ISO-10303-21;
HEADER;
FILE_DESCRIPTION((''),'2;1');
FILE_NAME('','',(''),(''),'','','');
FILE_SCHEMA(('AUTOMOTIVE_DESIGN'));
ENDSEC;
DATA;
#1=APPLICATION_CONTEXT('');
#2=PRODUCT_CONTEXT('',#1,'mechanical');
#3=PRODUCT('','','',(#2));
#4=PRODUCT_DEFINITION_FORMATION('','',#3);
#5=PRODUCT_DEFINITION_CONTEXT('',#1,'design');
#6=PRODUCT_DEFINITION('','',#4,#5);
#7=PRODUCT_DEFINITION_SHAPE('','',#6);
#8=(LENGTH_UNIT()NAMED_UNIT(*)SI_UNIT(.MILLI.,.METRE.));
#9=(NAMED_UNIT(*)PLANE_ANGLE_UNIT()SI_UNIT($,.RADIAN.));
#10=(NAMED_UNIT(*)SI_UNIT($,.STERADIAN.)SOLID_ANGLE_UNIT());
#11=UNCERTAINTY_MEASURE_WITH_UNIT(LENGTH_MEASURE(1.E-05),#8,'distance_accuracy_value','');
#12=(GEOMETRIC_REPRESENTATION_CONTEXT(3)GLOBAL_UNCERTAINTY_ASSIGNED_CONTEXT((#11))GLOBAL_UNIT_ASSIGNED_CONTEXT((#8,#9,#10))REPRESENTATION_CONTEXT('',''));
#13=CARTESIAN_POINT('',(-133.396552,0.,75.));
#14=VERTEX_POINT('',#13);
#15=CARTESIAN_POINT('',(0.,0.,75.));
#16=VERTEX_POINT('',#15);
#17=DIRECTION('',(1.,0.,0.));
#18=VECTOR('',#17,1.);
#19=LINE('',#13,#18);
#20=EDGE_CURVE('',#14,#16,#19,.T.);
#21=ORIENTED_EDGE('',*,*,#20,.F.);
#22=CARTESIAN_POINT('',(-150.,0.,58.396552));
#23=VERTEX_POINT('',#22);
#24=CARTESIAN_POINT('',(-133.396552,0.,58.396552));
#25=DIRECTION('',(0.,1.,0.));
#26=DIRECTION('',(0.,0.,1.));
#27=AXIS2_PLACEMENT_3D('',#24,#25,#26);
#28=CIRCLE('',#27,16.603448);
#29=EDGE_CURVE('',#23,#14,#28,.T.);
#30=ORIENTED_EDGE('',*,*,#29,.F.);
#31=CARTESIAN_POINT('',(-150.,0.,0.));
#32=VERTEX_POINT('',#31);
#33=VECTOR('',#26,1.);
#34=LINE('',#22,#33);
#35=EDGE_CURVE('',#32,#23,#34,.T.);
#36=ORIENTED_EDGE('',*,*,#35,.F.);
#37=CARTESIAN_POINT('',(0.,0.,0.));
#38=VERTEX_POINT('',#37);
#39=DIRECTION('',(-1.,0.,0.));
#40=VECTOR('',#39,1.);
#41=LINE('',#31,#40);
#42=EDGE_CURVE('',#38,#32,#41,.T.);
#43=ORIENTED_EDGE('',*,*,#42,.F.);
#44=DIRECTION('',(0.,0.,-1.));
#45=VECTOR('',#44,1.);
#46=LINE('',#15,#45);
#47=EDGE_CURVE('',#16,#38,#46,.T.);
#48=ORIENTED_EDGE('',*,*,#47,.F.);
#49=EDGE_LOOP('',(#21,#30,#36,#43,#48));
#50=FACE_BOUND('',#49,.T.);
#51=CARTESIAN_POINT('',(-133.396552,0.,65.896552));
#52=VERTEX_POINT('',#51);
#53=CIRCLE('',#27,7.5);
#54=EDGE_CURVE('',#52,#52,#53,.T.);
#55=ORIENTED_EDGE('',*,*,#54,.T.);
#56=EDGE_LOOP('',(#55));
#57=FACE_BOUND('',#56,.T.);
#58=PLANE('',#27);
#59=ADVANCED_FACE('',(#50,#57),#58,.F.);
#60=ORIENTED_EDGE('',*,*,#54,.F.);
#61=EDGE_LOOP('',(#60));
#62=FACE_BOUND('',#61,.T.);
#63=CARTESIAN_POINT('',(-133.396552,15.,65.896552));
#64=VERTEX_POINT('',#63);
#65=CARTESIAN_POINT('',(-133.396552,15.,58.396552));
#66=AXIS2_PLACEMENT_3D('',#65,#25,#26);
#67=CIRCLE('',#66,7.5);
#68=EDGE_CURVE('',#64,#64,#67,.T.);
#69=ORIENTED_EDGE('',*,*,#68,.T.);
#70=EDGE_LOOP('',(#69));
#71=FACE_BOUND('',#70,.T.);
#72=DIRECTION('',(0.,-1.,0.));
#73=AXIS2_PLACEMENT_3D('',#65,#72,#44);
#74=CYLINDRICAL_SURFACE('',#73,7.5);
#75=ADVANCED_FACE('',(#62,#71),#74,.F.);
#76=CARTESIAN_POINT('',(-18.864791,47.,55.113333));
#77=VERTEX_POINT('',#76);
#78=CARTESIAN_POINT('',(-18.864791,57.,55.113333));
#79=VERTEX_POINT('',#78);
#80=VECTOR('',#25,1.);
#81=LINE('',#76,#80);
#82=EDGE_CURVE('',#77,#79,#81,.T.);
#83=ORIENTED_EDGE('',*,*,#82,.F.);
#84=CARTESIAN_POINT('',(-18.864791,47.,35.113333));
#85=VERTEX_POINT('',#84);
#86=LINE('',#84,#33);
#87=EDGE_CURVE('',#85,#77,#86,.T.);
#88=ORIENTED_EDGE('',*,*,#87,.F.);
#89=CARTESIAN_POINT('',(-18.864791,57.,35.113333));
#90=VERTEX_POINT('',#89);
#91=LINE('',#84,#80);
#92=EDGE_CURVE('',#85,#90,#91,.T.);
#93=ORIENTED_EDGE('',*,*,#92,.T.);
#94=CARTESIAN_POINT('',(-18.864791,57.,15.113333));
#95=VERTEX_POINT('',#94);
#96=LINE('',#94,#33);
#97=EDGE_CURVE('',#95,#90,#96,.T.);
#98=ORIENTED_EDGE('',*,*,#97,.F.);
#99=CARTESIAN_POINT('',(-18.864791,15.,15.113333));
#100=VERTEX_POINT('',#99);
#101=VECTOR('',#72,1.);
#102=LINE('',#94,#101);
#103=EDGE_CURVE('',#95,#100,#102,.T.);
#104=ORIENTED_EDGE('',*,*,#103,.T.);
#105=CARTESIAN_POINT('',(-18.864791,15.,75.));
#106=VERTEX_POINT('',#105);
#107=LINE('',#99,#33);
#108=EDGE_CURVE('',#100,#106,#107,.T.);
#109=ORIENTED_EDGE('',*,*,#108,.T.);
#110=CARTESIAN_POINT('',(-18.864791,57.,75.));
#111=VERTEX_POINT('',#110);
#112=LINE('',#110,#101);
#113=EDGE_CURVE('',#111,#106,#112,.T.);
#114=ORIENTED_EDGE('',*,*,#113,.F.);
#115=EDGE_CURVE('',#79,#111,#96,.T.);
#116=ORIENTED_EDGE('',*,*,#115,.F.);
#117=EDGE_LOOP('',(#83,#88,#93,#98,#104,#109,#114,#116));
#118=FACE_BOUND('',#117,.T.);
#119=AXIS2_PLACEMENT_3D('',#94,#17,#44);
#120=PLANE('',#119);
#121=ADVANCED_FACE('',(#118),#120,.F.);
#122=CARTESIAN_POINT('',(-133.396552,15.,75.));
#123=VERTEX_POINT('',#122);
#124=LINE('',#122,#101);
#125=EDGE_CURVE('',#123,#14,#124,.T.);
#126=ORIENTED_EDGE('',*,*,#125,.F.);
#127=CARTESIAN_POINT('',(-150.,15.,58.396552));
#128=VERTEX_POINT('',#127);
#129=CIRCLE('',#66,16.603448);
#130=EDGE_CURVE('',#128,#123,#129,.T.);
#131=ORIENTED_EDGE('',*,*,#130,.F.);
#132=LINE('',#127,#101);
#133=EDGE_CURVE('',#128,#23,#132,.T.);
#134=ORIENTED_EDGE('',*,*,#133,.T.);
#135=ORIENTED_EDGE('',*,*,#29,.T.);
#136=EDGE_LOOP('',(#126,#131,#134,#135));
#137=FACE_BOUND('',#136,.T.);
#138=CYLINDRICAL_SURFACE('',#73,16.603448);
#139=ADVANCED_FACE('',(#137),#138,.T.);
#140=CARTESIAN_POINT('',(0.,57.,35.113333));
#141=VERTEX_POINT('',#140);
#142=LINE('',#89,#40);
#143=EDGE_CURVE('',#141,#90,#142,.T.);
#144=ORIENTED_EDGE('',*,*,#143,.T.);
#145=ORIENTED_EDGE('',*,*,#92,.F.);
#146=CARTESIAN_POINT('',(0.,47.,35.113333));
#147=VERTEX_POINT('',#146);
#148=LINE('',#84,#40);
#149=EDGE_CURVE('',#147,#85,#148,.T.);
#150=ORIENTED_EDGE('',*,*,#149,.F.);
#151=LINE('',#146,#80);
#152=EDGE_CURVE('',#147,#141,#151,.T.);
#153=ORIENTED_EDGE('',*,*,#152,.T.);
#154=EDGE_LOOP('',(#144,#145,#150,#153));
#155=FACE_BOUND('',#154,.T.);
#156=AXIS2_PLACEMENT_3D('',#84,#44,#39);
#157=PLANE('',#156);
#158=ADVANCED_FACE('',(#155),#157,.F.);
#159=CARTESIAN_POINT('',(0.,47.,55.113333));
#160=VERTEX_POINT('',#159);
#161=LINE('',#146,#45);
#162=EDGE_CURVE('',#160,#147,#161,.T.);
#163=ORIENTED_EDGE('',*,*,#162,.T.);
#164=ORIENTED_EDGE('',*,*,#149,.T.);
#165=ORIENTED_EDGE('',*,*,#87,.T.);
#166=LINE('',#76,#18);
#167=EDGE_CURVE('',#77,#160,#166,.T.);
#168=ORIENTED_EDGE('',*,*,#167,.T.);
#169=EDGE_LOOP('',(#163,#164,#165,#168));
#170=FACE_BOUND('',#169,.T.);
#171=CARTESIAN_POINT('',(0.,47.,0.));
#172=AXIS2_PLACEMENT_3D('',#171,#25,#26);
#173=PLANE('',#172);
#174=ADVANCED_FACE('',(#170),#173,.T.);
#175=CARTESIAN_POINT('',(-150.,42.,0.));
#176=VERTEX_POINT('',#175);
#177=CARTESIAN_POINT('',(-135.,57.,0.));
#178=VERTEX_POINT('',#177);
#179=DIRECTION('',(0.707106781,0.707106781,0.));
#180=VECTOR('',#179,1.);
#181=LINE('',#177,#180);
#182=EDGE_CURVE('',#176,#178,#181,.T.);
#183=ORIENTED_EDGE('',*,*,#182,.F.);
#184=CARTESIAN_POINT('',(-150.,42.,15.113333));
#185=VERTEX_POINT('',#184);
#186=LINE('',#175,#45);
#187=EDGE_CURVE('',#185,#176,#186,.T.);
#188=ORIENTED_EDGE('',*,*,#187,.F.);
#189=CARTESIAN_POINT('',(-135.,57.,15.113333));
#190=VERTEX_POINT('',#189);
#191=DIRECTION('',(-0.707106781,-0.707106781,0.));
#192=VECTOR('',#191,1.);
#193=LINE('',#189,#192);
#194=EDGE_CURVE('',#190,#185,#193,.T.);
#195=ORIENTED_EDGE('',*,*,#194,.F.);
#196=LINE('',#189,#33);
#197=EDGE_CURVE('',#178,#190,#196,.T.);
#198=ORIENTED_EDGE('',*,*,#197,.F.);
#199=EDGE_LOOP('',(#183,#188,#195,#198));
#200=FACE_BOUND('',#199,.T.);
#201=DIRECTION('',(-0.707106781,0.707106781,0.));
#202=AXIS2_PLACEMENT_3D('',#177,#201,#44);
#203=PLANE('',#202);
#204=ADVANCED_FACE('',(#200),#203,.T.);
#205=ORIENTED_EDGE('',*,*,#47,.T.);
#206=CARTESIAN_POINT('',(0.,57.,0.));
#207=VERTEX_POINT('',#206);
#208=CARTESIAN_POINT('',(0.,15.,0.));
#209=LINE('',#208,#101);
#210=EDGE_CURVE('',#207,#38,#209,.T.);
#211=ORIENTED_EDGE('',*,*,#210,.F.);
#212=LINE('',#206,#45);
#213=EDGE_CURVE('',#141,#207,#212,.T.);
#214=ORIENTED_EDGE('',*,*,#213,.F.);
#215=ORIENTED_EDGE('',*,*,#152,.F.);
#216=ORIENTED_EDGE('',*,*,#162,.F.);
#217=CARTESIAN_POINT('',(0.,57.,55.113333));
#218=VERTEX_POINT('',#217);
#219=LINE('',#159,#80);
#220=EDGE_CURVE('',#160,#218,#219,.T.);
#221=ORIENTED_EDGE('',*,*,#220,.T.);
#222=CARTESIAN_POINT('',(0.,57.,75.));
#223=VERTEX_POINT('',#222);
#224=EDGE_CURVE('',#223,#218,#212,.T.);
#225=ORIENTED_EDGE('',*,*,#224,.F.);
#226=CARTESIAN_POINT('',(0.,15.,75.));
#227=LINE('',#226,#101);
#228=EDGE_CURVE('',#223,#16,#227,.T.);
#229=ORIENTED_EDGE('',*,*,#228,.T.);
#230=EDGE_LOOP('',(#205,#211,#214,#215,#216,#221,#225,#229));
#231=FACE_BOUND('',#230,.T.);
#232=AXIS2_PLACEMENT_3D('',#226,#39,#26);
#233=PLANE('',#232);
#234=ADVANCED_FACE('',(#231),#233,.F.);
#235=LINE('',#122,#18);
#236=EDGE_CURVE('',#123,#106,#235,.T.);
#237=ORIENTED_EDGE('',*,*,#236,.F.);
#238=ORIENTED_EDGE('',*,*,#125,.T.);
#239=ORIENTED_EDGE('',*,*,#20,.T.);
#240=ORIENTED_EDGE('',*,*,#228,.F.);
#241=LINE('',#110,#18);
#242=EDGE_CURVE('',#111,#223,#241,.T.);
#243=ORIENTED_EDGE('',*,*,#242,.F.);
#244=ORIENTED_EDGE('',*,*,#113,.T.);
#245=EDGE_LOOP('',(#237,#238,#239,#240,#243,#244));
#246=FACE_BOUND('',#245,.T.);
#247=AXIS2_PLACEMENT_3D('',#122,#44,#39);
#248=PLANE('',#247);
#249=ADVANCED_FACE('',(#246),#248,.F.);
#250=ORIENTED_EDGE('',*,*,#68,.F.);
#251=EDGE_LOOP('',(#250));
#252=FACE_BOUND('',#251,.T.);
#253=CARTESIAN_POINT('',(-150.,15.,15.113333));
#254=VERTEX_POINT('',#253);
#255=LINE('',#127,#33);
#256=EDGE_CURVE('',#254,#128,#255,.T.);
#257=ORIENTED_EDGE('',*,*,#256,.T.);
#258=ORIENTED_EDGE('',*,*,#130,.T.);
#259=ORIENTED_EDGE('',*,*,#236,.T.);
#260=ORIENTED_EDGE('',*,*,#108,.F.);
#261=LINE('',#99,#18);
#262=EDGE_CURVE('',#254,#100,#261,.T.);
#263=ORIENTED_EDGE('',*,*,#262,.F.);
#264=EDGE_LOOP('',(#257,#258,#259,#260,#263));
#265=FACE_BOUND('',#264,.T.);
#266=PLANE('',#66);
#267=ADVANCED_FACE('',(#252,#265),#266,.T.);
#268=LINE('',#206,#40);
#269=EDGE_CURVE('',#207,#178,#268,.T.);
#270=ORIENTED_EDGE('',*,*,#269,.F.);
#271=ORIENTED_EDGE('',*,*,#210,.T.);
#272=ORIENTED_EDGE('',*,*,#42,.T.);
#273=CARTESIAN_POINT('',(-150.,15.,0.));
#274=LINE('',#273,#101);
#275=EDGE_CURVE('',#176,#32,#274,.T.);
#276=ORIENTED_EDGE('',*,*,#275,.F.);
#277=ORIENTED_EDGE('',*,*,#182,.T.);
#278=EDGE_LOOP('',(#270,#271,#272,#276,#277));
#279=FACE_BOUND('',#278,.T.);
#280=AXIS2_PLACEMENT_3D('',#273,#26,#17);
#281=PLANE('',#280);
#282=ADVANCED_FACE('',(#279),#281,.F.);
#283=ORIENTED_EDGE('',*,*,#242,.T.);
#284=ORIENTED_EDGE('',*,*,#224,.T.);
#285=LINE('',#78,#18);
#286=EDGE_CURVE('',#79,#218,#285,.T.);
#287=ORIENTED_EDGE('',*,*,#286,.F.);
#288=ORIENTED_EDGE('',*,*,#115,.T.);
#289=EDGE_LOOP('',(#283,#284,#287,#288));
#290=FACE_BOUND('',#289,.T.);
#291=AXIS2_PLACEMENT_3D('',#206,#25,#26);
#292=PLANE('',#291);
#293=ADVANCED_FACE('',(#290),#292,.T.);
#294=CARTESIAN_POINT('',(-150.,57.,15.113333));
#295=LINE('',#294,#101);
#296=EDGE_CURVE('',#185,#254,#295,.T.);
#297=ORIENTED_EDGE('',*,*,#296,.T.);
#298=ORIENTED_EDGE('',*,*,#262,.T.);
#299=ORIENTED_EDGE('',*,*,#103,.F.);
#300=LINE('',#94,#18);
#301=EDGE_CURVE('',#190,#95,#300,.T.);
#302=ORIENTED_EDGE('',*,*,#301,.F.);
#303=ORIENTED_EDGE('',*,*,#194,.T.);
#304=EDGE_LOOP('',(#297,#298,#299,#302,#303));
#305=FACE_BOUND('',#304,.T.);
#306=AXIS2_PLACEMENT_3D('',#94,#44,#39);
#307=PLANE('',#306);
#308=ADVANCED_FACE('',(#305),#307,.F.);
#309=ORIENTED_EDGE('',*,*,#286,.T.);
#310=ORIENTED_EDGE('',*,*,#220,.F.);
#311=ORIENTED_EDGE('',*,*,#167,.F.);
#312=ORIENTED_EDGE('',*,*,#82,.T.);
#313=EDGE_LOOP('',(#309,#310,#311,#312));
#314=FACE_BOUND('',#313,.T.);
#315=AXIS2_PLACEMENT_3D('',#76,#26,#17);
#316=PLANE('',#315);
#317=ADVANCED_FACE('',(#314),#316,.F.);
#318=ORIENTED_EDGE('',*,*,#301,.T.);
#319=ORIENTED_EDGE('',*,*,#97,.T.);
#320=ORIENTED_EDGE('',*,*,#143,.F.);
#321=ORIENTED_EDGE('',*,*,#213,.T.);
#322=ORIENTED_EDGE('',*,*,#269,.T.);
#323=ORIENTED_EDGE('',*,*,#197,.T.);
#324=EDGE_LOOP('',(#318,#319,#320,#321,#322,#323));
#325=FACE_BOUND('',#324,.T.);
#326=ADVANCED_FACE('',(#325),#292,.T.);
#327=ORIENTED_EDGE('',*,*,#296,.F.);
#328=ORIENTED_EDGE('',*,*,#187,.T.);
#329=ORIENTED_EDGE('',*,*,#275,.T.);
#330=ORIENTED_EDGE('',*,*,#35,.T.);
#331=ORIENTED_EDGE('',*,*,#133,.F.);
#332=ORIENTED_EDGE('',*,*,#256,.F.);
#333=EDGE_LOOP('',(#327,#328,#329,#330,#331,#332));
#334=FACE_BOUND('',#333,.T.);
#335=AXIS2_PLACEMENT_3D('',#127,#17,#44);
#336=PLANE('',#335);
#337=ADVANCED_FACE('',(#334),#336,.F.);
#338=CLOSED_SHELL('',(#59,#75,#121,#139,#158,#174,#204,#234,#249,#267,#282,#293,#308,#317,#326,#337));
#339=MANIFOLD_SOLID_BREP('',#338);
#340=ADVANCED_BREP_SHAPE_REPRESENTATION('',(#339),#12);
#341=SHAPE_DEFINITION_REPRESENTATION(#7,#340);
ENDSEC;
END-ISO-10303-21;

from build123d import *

# Parameters (mm, degrees)
SKETCH1_R           = 7.5
BOSS_EXTRUDE1_DEPTH = 15
BOSS_EXTRUDE2_DEPTH = 42
CHAMFER2_SIZE       = 15
SKETCH4_W           = 18.864791466
SKETCH4_H           = 20
CUT_EXTRUDE2_DEPTH  = 10


with BuildPart() as part:
    # Sketch1 → Boss-Extrude1 (new body)
    with BuildSketch(Plane(origin=(0, 0, 0), x_dir=(1, 0, 0), z_dir=(0, 1, 0))):
        with BuildLine():
            Line((-133.396551724, -75), (0, -75))
            Line((0, -75), (0, 0))
            Line((0, 0), (-150, 0))
            Line((-150, 0), (-150, -58.396551724))
            ThreePointArc((-150, -58.396551724), (-145.136962591, -70.136962591), (-133.396551724, -75))
        make_face()
        with Locations(Location((-133.396551724, -58.396551724, 0), (0, 0, 270))):
            Circle(SKETCH1_R, mode=Mode.SUBTRACT)
    extrude(amount=BOSS_EXTRUDE1_DEPTH)

    # Sketch3 → Boss-Extrude2 (add)
    with BuildSketch(Plane(origin=(0, 15, 0), x_dir=(1, 0, 0), z_dir=(0, 1, 0))):
        Polygon((0, 0), (-150, 0), (-150, -15.113333235), (-18.864791466, -15.113333235), (-18.864791466, -75), (0, -75), (0, -15.113333235), align=None)
    extrude(amount=BOSS_EXTRUDE2_DEPTH)

    # Chamfer2
    chamfer2_edges = [part.edges().sort_by_distance(p)[0] for p in [
        (-150, 57, 7.556666618),
    ]]
    chamfer(chamfer2_edges, length=CHAMFER2_SIZE)

    # Sketch4 → Cut-Extrude2 (cut)
    with BuildSketch(Plane(origin=(0, 57, 0), x_dir=(1, 0, 0), z_dir=(0, 1, 0))):
        with Locations((-9.432395733, -45.113333235)):
            Rectangle(SKETCH4_W, SKETCH4_H)
    extrude(amount=-CUT_EXTRUDE2_DEPTH, mode=Mode.SUBTRACT)


solid = part.part
